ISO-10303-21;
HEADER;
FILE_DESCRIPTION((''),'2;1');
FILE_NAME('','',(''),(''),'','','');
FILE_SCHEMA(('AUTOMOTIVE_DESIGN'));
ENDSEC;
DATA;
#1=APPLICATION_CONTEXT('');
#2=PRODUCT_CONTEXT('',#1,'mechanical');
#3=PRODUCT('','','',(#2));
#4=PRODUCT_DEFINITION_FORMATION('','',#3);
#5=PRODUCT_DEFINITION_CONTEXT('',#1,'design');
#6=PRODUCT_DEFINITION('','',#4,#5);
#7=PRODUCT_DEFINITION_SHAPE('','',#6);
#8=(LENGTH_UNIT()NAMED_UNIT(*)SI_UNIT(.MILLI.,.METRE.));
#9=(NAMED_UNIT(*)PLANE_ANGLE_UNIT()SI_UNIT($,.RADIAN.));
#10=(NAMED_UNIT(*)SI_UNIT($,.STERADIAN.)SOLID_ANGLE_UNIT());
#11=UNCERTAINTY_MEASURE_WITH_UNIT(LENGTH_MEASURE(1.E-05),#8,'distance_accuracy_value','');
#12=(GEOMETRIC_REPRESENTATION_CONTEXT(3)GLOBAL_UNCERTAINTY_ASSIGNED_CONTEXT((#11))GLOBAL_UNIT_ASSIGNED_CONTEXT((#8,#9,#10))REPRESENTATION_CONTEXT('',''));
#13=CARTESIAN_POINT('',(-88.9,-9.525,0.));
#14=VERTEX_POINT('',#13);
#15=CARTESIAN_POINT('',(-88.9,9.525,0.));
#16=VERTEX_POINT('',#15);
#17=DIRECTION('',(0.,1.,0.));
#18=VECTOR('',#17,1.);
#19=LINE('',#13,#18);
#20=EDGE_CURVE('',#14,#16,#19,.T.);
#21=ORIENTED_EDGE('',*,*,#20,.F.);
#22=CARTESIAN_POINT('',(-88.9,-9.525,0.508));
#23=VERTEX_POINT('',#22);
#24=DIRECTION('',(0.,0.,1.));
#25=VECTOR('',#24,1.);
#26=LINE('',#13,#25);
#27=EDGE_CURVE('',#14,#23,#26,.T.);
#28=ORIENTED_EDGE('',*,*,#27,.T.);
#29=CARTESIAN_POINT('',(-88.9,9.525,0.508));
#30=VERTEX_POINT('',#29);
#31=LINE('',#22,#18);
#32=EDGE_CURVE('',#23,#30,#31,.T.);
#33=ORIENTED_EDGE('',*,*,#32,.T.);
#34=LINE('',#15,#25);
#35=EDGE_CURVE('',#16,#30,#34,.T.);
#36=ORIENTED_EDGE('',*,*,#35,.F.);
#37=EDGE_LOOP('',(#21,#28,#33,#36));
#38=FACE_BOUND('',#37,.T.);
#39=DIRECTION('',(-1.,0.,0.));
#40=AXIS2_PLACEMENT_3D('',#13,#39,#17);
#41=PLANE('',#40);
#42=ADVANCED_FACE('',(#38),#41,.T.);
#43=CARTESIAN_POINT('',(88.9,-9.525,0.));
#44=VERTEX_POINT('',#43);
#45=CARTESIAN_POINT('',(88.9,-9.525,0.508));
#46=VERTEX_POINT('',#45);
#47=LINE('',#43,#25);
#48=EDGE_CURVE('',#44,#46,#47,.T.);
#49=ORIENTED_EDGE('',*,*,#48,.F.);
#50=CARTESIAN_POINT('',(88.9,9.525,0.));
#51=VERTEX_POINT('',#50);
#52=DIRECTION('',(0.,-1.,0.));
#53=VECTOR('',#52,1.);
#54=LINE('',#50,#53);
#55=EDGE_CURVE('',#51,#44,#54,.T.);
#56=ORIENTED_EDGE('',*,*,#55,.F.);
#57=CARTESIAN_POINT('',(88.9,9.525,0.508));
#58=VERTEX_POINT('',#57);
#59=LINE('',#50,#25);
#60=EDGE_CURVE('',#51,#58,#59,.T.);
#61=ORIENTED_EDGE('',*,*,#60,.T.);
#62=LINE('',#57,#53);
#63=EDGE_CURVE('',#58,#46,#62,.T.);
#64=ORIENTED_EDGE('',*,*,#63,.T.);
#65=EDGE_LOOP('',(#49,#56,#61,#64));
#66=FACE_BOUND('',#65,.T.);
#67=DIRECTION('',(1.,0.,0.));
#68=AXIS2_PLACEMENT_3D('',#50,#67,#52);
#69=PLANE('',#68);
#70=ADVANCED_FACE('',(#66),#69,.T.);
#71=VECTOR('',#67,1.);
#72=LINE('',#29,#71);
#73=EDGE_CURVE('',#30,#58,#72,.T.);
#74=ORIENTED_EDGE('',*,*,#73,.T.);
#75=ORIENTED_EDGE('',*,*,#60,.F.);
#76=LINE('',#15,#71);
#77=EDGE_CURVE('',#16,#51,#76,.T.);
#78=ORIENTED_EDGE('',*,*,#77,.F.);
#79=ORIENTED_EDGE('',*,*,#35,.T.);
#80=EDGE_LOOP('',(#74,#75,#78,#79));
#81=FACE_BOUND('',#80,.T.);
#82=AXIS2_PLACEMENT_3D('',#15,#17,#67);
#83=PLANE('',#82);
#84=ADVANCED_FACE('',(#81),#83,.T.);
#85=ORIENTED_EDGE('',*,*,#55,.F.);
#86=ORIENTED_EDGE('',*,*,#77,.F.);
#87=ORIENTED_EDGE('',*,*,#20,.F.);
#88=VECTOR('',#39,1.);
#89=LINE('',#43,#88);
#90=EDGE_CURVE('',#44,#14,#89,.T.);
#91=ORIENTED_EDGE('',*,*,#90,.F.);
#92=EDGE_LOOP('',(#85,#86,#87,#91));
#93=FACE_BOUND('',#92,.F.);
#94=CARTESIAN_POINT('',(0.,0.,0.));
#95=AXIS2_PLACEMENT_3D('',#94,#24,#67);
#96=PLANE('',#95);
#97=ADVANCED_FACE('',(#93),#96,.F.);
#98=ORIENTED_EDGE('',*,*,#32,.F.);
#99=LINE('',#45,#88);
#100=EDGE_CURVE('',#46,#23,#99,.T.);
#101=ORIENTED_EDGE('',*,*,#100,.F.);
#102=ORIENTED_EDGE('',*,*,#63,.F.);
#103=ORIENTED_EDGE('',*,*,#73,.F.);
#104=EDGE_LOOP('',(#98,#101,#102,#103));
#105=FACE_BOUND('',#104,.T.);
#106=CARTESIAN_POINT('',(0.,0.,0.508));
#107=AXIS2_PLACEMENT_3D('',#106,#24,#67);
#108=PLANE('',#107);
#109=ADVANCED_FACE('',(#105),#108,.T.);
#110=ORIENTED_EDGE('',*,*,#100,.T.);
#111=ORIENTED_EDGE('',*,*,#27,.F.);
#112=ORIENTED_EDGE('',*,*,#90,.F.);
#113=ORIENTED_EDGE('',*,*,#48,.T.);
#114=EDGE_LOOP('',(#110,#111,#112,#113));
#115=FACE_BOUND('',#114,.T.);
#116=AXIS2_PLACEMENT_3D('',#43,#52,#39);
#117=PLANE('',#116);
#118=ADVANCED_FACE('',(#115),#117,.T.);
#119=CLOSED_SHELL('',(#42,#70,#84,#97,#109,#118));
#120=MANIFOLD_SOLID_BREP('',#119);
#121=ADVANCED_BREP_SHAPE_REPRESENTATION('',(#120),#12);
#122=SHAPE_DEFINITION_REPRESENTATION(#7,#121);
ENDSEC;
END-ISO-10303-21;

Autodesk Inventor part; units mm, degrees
ref_plane "YZ Plane" through (0, 0, 0) normal (1, 0, 0) x (0, 1, 0)
ref_plane "XZ Plane" through (0, 0, 0) normal (0, 1, 0) x (-1, 0, 0)
ref_plane "XY Plane" through (0, 0, 0) normal (0, 0, 1) x (1, 0, 0)
sketch "Sketch1" plane through (0, 0, 0) normal (0, 0, 1) x (1, 0, 0)
  line L0 (88.9, -9.525) -> (-88.9, -9.525)
  line L1 (-88.9, -9.525) -> (-88.9, 9.525)
  line L2 (-88.9, 9.525) -> (88.9, 9.525)
  line L3 (88.9, 9.525) -> (88.9, -9.525)
  line L4 (88.9, -9.525) -> (-88.9, 9.525) construction
  line L5 (-88.9, -9.525) -> (88.9, 9.525) construction
  point P0 (0, 0)
  dimension "d0" = 19.05
  dimension "d1" = 177.8
extrude "Extrusion1" add sketch "Sketch1" along normal blind 0.508
properties part number "TETHLON_TAPE" material "Iglidur,V400"
